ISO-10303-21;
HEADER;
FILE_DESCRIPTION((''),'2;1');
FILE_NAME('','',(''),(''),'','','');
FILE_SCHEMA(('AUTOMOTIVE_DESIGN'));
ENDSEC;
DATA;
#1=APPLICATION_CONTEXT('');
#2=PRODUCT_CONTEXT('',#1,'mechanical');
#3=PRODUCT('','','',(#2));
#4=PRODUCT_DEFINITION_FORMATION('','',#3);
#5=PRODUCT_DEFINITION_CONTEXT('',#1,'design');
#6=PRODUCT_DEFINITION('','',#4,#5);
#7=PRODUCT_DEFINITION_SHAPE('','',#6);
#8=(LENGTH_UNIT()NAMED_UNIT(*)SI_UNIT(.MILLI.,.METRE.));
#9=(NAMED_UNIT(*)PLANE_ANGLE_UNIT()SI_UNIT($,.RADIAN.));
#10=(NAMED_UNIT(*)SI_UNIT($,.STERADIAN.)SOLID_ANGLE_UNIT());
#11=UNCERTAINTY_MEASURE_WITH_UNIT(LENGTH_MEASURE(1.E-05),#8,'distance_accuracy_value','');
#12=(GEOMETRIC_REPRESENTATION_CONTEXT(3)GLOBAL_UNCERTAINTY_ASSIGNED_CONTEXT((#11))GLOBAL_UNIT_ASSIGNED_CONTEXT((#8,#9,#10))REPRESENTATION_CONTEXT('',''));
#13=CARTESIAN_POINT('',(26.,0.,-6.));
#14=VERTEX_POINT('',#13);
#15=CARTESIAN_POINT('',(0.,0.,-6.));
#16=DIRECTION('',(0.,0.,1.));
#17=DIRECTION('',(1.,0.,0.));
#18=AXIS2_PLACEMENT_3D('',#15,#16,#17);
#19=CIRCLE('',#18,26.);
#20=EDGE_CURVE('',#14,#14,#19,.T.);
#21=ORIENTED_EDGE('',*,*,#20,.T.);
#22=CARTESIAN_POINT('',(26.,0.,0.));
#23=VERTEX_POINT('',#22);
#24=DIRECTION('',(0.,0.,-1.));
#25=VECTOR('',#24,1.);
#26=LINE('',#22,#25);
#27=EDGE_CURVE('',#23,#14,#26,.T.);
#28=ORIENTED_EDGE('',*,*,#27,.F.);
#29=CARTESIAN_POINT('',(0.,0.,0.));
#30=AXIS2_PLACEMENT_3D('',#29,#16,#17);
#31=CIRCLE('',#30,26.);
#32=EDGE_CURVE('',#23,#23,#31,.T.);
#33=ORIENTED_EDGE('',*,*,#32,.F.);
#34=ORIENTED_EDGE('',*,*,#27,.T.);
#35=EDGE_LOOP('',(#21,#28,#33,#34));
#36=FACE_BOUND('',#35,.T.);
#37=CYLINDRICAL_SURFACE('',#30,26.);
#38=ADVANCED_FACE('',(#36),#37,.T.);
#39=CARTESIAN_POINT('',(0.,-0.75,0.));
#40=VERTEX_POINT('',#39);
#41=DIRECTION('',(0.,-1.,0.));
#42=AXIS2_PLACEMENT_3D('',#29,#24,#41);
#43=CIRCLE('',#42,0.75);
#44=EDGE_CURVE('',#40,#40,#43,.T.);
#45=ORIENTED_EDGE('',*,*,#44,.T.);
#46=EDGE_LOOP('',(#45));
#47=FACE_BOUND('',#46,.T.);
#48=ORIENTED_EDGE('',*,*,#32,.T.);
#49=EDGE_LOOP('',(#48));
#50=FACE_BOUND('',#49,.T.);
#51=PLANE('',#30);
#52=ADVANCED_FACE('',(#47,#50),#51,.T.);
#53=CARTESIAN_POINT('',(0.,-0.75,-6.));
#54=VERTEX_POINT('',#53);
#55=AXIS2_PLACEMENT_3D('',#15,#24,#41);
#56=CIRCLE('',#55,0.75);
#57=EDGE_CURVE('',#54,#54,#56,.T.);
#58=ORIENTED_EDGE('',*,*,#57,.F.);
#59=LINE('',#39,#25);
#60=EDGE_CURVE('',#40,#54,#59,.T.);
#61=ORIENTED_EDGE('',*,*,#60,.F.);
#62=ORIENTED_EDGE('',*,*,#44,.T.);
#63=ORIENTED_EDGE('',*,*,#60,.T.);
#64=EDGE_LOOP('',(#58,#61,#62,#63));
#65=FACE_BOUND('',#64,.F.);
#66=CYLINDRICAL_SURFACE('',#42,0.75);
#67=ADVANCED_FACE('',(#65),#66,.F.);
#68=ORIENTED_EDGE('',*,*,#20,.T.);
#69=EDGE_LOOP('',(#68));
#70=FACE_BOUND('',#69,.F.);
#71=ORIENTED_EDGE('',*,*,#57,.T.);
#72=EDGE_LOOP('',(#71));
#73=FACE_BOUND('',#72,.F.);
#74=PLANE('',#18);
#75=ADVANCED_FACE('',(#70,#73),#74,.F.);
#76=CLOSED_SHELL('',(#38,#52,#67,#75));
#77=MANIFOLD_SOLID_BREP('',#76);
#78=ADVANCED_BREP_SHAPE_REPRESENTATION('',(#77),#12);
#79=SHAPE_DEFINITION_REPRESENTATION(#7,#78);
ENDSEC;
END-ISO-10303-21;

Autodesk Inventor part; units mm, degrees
ref_plane "YZ Plane" through (0, 0, 0) normal (1, 0, 0) x (0, 1, 0)
ref_plane "XZ Plane" through (0, 0, 0) normal (0, 1, 0) x (-1, 0, 0)
ref_plane "XY Plane" through (0, 0, 0) normal (0, 0, 1) x (1, 0, 0)
sketch "Skizze1" plane through (0, 0, 0) normal (0, 0, 1) x (1, 0, 0)
  circle A0 centre (0, 0) radius 26
  dimension "d0" = 52
extrude "Extrusion1" add sketch "Skizze1" against normal blind 6
sketch "Skizze2" plane through (0, 0, 0) normal (0, 0, 1) x (1, 0, 0)
  circle A0 centre (0, 0) radius 26 projected
hole "Bohrung1" at (0, 0, 0) direction (0, 0, -1) diameter 1.5 depth 6
properties part number "steuerkolben"
